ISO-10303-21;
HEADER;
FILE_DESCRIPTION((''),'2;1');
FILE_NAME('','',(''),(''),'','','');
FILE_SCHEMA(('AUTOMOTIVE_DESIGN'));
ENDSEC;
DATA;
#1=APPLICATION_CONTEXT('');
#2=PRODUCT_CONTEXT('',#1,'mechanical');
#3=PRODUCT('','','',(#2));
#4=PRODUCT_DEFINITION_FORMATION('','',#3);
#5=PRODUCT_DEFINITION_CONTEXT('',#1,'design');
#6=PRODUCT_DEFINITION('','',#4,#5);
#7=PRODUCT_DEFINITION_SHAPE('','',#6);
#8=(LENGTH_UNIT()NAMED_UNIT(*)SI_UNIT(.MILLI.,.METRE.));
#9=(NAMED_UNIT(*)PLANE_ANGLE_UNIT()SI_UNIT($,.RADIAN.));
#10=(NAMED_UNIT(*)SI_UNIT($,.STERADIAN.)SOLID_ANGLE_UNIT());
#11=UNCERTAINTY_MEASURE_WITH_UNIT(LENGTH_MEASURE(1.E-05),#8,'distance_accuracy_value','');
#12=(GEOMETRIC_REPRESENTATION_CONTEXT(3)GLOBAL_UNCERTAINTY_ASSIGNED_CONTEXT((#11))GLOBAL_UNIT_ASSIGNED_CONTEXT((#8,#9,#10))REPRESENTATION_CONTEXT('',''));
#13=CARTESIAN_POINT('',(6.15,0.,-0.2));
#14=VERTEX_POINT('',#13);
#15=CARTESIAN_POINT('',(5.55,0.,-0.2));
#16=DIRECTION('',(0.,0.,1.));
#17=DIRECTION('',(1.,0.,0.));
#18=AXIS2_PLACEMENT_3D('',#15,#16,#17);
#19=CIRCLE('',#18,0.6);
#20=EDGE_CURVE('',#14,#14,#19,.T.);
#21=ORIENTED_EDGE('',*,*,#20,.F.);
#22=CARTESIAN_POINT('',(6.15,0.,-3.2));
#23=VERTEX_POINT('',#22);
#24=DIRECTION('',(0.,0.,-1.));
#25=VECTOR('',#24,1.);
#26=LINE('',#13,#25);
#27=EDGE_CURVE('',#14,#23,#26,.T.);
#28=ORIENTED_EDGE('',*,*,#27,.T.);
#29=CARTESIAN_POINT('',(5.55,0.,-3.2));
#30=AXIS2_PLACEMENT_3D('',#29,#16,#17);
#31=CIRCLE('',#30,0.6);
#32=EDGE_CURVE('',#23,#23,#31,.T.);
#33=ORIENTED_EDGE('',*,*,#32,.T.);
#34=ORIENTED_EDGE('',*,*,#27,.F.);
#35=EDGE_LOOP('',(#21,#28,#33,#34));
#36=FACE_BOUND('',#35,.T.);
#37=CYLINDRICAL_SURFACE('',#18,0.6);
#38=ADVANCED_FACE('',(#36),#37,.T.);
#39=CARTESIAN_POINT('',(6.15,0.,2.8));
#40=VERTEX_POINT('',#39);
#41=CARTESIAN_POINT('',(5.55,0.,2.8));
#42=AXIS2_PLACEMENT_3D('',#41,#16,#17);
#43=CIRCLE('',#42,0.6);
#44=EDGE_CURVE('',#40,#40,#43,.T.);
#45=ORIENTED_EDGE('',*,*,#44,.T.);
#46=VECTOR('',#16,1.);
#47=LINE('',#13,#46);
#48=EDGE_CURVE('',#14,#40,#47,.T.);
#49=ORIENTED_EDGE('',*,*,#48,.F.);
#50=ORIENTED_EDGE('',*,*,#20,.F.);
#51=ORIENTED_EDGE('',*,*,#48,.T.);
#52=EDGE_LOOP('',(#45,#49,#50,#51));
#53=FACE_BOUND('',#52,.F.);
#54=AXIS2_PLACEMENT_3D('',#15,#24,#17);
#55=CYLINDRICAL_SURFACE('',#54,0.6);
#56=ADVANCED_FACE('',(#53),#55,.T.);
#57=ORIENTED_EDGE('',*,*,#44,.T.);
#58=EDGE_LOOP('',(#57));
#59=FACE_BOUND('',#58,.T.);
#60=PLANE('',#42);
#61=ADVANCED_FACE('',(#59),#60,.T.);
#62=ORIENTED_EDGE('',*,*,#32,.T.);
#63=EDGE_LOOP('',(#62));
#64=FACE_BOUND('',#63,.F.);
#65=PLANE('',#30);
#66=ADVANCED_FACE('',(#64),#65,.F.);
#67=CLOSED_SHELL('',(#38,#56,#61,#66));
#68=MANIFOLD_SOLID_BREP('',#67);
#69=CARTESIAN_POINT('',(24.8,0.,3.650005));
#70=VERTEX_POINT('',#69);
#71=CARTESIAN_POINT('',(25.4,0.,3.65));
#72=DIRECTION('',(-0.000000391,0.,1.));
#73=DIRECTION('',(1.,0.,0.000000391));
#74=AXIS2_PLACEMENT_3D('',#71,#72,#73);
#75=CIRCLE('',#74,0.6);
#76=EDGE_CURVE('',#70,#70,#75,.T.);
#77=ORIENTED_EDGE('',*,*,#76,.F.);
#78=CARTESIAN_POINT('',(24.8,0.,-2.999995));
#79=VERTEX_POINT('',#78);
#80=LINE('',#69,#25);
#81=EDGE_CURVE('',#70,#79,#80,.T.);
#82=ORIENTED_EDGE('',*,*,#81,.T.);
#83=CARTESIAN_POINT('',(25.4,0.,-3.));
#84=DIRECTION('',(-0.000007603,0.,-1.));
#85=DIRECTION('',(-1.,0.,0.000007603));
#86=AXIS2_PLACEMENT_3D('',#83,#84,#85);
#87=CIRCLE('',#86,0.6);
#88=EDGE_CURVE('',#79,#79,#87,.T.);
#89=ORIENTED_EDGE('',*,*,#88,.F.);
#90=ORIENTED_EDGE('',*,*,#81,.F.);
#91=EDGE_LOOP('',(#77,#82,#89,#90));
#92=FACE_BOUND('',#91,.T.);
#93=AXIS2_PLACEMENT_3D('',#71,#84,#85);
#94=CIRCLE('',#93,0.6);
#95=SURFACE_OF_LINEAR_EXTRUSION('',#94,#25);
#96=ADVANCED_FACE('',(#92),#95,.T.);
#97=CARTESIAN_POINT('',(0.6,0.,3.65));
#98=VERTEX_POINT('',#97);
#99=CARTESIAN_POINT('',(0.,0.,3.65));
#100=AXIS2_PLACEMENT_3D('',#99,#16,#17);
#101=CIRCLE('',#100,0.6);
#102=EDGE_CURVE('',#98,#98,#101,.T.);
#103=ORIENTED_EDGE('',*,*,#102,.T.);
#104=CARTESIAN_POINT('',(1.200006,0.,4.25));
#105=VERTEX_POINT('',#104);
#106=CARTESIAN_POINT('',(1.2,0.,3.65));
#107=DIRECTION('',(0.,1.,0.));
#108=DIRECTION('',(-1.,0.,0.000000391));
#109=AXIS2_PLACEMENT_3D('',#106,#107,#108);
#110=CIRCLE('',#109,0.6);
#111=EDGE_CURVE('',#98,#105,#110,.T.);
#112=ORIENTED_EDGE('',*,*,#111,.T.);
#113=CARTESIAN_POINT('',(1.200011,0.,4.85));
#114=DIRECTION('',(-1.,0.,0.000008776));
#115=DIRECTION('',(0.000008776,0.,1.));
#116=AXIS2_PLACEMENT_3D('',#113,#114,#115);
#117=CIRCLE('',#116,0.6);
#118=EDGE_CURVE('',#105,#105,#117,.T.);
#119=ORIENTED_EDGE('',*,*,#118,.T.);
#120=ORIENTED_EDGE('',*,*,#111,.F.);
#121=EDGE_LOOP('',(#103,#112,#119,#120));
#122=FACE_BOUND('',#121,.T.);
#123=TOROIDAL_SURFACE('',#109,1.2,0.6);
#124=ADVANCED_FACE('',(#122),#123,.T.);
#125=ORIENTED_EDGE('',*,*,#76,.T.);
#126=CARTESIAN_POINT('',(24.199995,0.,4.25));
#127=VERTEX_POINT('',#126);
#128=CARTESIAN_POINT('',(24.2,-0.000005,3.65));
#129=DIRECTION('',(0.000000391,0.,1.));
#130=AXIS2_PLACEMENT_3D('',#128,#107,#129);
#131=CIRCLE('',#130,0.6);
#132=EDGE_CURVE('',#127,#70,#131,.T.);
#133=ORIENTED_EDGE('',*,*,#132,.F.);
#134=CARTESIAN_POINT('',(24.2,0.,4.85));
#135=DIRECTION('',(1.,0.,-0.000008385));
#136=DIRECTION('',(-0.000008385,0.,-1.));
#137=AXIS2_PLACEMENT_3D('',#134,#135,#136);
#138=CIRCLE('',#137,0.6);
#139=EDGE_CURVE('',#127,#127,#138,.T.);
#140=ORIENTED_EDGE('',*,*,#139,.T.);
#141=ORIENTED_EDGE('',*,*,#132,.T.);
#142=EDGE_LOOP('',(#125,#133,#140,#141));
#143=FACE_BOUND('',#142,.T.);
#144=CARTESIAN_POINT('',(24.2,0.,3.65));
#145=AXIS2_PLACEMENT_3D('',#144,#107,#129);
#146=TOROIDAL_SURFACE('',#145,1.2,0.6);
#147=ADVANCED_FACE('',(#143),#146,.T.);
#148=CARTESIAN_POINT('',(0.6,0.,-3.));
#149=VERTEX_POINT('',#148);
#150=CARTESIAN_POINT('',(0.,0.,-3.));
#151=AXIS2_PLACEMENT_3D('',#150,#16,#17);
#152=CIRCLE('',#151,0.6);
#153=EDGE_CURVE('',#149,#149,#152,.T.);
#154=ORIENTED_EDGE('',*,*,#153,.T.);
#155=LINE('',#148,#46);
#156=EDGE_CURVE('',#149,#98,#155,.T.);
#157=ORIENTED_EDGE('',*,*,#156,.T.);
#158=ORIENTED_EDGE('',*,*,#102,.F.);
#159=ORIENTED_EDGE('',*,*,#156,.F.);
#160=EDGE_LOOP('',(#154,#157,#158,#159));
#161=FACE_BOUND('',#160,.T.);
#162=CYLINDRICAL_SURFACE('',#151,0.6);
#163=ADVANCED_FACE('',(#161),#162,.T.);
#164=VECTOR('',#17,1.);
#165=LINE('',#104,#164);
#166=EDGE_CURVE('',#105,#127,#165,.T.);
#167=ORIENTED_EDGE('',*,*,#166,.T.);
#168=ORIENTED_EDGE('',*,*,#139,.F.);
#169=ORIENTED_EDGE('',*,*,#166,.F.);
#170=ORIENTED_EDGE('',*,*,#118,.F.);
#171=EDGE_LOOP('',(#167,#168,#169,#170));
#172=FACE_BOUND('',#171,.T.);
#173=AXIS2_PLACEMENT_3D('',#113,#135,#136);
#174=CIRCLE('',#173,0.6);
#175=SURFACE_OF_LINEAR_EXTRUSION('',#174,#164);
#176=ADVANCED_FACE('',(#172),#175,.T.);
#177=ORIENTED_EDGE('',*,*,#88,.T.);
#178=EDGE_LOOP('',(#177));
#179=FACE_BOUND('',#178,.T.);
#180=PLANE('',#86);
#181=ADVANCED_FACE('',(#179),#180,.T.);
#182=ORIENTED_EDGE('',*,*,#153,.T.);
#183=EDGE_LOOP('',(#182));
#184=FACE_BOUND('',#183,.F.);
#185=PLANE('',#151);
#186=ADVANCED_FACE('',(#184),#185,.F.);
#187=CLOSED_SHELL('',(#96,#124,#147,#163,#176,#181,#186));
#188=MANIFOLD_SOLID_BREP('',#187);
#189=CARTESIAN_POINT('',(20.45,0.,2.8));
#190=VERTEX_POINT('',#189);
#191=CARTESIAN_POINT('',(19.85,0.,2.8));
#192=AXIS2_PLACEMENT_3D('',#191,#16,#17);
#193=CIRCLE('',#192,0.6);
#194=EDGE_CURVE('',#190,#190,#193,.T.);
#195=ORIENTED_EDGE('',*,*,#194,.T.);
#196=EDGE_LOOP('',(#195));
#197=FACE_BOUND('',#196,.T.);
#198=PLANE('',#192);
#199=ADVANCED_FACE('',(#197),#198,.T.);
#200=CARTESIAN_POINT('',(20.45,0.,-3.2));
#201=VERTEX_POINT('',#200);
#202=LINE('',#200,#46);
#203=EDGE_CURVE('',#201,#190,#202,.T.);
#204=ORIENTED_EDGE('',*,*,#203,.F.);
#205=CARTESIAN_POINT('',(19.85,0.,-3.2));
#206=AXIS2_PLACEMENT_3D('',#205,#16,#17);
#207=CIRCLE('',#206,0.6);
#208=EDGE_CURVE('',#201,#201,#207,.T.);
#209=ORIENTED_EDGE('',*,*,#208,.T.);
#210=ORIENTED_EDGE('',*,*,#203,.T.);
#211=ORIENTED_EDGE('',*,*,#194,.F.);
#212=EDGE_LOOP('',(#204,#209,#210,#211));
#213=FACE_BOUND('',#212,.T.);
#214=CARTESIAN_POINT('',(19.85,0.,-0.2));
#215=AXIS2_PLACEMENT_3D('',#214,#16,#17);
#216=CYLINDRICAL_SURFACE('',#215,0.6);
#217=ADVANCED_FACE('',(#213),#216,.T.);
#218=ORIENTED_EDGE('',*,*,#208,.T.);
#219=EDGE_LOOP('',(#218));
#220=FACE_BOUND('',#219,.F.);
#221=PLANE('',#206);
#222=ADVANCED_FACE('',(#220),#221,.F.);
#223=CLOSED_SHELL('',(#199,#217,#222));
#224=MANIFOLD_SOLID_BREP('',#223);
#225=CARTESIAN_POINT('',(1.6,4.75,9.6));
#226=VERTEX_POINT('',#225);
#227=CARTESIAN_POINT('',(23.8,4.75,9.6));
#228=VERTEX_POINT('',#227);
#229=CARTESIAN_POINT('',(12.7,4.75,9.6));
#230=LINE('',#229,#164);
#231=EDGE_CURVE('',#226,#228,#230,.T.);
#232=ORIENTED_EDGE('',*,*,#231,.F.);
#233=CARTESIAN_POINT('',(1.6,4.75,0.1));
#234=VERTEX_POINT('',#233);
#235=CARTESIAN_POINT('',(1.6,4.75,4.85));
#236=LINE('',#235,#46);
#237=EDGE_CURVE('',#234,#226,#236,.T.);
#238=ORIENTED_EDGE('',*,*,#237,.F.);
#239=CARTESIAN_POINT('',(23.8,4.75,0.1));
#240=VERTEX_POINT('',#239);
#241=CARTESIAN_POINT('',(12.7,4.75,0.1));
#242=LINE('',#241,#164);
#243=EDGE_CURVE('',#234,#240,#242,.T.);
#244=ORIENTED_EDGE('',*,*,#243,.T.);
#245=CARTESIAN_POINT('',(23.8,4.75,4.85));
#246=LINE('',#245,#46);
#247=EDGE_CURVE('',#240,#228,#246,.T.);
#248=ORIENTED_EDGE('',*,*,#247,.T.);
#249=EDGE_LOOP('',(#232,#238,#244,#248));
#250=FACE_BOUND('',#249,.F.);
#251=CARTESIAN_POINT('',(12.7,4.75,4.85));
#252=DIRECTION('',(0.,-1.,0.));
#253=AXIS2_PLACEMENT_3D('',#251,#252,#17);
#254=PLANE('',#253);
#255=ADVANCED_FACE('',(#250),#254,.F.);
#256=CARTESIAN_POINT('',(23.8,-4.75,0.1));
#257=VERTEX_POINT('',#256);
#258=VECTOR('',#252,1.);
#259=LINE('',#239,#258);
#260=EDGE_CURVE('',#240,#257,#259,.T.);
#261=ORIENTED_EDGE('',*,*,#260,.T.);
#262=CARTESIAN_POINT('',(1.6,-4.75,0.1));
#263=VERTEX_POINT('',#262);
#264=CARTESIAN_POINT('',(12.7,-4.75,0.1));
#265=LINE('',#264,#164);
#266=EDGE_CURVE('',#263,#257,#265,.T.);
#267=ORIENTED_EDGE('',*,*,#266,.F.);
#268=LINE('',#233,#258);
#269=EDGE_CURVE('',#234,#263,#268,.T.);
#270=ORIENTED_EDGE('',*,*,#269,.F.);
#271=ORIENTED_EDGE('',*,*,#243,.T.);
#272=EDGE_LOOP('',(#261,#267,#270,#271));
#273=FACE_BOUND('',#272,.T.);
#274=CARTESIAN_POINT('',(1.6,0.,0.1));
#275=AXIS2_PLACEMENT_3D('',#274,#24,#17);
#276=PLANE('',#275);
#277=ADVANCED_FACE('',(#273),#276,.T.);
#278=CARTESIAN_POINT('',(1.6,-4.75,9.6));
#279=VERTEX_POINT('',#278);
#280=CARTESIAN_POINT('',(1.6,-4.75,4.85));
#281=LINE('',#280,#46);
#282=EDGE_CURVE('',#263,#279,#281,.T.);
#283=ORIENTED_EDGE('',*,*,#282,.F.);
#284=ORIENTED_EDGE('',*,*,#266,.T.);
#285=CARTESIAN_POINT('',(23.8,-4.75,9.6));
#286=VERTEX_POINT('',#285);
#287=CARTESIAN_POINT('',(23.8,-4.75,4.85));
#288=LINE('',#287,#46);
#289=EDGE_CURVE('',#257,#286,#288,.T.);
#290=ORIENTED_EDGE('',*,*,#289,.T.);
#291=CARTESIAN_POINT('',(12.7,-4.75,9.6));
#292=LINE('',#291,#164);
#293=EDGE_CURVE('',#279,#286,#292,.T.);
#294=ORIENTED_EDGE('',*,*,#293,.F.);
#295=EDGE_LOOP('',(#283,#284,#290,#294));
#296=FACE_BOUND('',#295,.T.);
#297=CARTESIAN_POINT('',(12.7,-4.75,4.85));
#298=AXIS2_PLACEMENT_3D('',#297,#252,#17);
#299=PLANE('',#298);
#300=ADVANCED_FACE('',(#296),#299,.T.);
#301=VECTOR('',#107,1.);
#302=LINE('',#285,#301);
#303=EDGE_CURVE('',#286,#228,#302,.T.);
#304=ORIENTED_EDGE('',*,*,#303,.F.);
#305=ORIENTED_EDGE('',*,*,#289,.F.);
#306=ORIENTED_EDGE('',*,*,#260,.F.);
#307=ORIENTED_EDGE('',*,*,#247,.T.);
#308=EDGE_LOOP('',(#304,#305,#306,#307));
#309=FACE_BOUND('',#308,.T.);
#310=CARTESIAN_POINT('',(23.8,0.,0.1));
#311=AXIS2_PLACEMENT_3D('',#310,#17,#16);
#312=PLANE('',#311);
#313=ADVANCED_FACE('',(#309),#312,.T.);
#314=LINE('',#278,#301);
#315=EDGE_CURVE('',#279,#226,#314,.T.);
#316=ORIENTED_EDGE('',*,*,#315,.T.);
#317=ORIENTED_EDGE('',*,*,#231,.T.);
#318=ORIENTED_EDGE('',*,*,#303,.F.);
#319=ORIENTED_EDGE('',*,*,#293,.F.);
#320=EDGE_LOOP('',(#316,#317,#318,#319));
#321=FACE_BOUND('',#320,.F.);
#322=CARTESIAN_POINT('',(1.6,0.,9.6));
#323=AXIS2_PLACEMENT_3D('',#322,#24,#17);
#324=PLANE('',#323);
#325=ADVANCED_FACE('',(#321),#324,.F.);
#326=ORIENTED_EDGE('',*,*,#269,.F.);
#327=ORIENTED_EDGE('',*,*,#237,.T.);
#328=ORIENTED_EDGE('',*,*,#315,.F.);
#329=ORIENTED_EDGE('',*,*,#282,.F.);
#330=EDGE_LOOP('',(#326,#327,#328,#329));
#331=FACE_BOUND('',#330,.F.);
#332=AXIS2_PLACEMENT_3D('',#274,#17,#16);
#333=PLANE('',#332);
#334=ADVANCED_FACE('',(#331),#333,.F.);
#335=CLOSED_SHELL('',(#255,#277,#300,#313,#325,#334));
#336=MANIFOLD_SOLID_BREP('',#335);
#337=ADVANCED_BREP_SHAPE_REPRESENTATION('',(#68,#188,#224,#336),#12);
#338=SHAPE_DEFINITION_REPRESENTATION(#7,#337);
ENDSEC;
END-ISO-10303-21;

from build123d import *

# Parameters (mm, degrees)
SKETCH_R     = 0.6
SKETCH002_W  = 22.2
SKETCH002_H  = 9.5
PAD_DEPTH    = 4.75
SKETCH004_R  = 0.6
PAD001_DEPTH = 3


with BuildPart() as sweep_body:
    # Sweep: sweep along a path in Sketch001
    with BuildLine(Plane.XZ) as sweep_path:
        Line((0, -3), (0, 3.65))
        ThreePointArc((0, 3.65), (0.351476, 4.498532), (1.200011, 4.85))
        Line((1.200011, 4.85), (24.2, 4.85))
        ThreePointArc((24.2, 4.85), (25.048528, 4.498528), (25.4, 3.65))
        Line((25.4, 3.65), (25.4, -3))
    # Sketch → Sweep (sweep)
    with BuildSketch(Plane.XY.offset(-2)):
        Circle(SKETCH_R)
    sweep(path=sweep_path.line)


with BuildPart() as pad:
    # Sketch002 → Pad (new body, symmetric)
    with BuildSketch(Plane.XZ):
        with Locations((12.7, 4.85)):
            Rectangle(SKETCH002_W, SKETCH002_H)
    extrude(amount=PAD_DEPTH, both=True)


with BuildPart() as pad001:
    # Sketch004 → Pad001 (new body, symmetric)
    with BuildSketch(Plane.XY.offset(-0.2)):
        with Locations((5.55, 0)):
            Circle(SKETCH004_R)
        with Locations((19.85, 0)):
            Circle(SKETCH004_R)
    extrude(amount=PAD001_DEPTH, both=True)


solid = Compound([sweep_body.part, pad.part, pad001.part])
